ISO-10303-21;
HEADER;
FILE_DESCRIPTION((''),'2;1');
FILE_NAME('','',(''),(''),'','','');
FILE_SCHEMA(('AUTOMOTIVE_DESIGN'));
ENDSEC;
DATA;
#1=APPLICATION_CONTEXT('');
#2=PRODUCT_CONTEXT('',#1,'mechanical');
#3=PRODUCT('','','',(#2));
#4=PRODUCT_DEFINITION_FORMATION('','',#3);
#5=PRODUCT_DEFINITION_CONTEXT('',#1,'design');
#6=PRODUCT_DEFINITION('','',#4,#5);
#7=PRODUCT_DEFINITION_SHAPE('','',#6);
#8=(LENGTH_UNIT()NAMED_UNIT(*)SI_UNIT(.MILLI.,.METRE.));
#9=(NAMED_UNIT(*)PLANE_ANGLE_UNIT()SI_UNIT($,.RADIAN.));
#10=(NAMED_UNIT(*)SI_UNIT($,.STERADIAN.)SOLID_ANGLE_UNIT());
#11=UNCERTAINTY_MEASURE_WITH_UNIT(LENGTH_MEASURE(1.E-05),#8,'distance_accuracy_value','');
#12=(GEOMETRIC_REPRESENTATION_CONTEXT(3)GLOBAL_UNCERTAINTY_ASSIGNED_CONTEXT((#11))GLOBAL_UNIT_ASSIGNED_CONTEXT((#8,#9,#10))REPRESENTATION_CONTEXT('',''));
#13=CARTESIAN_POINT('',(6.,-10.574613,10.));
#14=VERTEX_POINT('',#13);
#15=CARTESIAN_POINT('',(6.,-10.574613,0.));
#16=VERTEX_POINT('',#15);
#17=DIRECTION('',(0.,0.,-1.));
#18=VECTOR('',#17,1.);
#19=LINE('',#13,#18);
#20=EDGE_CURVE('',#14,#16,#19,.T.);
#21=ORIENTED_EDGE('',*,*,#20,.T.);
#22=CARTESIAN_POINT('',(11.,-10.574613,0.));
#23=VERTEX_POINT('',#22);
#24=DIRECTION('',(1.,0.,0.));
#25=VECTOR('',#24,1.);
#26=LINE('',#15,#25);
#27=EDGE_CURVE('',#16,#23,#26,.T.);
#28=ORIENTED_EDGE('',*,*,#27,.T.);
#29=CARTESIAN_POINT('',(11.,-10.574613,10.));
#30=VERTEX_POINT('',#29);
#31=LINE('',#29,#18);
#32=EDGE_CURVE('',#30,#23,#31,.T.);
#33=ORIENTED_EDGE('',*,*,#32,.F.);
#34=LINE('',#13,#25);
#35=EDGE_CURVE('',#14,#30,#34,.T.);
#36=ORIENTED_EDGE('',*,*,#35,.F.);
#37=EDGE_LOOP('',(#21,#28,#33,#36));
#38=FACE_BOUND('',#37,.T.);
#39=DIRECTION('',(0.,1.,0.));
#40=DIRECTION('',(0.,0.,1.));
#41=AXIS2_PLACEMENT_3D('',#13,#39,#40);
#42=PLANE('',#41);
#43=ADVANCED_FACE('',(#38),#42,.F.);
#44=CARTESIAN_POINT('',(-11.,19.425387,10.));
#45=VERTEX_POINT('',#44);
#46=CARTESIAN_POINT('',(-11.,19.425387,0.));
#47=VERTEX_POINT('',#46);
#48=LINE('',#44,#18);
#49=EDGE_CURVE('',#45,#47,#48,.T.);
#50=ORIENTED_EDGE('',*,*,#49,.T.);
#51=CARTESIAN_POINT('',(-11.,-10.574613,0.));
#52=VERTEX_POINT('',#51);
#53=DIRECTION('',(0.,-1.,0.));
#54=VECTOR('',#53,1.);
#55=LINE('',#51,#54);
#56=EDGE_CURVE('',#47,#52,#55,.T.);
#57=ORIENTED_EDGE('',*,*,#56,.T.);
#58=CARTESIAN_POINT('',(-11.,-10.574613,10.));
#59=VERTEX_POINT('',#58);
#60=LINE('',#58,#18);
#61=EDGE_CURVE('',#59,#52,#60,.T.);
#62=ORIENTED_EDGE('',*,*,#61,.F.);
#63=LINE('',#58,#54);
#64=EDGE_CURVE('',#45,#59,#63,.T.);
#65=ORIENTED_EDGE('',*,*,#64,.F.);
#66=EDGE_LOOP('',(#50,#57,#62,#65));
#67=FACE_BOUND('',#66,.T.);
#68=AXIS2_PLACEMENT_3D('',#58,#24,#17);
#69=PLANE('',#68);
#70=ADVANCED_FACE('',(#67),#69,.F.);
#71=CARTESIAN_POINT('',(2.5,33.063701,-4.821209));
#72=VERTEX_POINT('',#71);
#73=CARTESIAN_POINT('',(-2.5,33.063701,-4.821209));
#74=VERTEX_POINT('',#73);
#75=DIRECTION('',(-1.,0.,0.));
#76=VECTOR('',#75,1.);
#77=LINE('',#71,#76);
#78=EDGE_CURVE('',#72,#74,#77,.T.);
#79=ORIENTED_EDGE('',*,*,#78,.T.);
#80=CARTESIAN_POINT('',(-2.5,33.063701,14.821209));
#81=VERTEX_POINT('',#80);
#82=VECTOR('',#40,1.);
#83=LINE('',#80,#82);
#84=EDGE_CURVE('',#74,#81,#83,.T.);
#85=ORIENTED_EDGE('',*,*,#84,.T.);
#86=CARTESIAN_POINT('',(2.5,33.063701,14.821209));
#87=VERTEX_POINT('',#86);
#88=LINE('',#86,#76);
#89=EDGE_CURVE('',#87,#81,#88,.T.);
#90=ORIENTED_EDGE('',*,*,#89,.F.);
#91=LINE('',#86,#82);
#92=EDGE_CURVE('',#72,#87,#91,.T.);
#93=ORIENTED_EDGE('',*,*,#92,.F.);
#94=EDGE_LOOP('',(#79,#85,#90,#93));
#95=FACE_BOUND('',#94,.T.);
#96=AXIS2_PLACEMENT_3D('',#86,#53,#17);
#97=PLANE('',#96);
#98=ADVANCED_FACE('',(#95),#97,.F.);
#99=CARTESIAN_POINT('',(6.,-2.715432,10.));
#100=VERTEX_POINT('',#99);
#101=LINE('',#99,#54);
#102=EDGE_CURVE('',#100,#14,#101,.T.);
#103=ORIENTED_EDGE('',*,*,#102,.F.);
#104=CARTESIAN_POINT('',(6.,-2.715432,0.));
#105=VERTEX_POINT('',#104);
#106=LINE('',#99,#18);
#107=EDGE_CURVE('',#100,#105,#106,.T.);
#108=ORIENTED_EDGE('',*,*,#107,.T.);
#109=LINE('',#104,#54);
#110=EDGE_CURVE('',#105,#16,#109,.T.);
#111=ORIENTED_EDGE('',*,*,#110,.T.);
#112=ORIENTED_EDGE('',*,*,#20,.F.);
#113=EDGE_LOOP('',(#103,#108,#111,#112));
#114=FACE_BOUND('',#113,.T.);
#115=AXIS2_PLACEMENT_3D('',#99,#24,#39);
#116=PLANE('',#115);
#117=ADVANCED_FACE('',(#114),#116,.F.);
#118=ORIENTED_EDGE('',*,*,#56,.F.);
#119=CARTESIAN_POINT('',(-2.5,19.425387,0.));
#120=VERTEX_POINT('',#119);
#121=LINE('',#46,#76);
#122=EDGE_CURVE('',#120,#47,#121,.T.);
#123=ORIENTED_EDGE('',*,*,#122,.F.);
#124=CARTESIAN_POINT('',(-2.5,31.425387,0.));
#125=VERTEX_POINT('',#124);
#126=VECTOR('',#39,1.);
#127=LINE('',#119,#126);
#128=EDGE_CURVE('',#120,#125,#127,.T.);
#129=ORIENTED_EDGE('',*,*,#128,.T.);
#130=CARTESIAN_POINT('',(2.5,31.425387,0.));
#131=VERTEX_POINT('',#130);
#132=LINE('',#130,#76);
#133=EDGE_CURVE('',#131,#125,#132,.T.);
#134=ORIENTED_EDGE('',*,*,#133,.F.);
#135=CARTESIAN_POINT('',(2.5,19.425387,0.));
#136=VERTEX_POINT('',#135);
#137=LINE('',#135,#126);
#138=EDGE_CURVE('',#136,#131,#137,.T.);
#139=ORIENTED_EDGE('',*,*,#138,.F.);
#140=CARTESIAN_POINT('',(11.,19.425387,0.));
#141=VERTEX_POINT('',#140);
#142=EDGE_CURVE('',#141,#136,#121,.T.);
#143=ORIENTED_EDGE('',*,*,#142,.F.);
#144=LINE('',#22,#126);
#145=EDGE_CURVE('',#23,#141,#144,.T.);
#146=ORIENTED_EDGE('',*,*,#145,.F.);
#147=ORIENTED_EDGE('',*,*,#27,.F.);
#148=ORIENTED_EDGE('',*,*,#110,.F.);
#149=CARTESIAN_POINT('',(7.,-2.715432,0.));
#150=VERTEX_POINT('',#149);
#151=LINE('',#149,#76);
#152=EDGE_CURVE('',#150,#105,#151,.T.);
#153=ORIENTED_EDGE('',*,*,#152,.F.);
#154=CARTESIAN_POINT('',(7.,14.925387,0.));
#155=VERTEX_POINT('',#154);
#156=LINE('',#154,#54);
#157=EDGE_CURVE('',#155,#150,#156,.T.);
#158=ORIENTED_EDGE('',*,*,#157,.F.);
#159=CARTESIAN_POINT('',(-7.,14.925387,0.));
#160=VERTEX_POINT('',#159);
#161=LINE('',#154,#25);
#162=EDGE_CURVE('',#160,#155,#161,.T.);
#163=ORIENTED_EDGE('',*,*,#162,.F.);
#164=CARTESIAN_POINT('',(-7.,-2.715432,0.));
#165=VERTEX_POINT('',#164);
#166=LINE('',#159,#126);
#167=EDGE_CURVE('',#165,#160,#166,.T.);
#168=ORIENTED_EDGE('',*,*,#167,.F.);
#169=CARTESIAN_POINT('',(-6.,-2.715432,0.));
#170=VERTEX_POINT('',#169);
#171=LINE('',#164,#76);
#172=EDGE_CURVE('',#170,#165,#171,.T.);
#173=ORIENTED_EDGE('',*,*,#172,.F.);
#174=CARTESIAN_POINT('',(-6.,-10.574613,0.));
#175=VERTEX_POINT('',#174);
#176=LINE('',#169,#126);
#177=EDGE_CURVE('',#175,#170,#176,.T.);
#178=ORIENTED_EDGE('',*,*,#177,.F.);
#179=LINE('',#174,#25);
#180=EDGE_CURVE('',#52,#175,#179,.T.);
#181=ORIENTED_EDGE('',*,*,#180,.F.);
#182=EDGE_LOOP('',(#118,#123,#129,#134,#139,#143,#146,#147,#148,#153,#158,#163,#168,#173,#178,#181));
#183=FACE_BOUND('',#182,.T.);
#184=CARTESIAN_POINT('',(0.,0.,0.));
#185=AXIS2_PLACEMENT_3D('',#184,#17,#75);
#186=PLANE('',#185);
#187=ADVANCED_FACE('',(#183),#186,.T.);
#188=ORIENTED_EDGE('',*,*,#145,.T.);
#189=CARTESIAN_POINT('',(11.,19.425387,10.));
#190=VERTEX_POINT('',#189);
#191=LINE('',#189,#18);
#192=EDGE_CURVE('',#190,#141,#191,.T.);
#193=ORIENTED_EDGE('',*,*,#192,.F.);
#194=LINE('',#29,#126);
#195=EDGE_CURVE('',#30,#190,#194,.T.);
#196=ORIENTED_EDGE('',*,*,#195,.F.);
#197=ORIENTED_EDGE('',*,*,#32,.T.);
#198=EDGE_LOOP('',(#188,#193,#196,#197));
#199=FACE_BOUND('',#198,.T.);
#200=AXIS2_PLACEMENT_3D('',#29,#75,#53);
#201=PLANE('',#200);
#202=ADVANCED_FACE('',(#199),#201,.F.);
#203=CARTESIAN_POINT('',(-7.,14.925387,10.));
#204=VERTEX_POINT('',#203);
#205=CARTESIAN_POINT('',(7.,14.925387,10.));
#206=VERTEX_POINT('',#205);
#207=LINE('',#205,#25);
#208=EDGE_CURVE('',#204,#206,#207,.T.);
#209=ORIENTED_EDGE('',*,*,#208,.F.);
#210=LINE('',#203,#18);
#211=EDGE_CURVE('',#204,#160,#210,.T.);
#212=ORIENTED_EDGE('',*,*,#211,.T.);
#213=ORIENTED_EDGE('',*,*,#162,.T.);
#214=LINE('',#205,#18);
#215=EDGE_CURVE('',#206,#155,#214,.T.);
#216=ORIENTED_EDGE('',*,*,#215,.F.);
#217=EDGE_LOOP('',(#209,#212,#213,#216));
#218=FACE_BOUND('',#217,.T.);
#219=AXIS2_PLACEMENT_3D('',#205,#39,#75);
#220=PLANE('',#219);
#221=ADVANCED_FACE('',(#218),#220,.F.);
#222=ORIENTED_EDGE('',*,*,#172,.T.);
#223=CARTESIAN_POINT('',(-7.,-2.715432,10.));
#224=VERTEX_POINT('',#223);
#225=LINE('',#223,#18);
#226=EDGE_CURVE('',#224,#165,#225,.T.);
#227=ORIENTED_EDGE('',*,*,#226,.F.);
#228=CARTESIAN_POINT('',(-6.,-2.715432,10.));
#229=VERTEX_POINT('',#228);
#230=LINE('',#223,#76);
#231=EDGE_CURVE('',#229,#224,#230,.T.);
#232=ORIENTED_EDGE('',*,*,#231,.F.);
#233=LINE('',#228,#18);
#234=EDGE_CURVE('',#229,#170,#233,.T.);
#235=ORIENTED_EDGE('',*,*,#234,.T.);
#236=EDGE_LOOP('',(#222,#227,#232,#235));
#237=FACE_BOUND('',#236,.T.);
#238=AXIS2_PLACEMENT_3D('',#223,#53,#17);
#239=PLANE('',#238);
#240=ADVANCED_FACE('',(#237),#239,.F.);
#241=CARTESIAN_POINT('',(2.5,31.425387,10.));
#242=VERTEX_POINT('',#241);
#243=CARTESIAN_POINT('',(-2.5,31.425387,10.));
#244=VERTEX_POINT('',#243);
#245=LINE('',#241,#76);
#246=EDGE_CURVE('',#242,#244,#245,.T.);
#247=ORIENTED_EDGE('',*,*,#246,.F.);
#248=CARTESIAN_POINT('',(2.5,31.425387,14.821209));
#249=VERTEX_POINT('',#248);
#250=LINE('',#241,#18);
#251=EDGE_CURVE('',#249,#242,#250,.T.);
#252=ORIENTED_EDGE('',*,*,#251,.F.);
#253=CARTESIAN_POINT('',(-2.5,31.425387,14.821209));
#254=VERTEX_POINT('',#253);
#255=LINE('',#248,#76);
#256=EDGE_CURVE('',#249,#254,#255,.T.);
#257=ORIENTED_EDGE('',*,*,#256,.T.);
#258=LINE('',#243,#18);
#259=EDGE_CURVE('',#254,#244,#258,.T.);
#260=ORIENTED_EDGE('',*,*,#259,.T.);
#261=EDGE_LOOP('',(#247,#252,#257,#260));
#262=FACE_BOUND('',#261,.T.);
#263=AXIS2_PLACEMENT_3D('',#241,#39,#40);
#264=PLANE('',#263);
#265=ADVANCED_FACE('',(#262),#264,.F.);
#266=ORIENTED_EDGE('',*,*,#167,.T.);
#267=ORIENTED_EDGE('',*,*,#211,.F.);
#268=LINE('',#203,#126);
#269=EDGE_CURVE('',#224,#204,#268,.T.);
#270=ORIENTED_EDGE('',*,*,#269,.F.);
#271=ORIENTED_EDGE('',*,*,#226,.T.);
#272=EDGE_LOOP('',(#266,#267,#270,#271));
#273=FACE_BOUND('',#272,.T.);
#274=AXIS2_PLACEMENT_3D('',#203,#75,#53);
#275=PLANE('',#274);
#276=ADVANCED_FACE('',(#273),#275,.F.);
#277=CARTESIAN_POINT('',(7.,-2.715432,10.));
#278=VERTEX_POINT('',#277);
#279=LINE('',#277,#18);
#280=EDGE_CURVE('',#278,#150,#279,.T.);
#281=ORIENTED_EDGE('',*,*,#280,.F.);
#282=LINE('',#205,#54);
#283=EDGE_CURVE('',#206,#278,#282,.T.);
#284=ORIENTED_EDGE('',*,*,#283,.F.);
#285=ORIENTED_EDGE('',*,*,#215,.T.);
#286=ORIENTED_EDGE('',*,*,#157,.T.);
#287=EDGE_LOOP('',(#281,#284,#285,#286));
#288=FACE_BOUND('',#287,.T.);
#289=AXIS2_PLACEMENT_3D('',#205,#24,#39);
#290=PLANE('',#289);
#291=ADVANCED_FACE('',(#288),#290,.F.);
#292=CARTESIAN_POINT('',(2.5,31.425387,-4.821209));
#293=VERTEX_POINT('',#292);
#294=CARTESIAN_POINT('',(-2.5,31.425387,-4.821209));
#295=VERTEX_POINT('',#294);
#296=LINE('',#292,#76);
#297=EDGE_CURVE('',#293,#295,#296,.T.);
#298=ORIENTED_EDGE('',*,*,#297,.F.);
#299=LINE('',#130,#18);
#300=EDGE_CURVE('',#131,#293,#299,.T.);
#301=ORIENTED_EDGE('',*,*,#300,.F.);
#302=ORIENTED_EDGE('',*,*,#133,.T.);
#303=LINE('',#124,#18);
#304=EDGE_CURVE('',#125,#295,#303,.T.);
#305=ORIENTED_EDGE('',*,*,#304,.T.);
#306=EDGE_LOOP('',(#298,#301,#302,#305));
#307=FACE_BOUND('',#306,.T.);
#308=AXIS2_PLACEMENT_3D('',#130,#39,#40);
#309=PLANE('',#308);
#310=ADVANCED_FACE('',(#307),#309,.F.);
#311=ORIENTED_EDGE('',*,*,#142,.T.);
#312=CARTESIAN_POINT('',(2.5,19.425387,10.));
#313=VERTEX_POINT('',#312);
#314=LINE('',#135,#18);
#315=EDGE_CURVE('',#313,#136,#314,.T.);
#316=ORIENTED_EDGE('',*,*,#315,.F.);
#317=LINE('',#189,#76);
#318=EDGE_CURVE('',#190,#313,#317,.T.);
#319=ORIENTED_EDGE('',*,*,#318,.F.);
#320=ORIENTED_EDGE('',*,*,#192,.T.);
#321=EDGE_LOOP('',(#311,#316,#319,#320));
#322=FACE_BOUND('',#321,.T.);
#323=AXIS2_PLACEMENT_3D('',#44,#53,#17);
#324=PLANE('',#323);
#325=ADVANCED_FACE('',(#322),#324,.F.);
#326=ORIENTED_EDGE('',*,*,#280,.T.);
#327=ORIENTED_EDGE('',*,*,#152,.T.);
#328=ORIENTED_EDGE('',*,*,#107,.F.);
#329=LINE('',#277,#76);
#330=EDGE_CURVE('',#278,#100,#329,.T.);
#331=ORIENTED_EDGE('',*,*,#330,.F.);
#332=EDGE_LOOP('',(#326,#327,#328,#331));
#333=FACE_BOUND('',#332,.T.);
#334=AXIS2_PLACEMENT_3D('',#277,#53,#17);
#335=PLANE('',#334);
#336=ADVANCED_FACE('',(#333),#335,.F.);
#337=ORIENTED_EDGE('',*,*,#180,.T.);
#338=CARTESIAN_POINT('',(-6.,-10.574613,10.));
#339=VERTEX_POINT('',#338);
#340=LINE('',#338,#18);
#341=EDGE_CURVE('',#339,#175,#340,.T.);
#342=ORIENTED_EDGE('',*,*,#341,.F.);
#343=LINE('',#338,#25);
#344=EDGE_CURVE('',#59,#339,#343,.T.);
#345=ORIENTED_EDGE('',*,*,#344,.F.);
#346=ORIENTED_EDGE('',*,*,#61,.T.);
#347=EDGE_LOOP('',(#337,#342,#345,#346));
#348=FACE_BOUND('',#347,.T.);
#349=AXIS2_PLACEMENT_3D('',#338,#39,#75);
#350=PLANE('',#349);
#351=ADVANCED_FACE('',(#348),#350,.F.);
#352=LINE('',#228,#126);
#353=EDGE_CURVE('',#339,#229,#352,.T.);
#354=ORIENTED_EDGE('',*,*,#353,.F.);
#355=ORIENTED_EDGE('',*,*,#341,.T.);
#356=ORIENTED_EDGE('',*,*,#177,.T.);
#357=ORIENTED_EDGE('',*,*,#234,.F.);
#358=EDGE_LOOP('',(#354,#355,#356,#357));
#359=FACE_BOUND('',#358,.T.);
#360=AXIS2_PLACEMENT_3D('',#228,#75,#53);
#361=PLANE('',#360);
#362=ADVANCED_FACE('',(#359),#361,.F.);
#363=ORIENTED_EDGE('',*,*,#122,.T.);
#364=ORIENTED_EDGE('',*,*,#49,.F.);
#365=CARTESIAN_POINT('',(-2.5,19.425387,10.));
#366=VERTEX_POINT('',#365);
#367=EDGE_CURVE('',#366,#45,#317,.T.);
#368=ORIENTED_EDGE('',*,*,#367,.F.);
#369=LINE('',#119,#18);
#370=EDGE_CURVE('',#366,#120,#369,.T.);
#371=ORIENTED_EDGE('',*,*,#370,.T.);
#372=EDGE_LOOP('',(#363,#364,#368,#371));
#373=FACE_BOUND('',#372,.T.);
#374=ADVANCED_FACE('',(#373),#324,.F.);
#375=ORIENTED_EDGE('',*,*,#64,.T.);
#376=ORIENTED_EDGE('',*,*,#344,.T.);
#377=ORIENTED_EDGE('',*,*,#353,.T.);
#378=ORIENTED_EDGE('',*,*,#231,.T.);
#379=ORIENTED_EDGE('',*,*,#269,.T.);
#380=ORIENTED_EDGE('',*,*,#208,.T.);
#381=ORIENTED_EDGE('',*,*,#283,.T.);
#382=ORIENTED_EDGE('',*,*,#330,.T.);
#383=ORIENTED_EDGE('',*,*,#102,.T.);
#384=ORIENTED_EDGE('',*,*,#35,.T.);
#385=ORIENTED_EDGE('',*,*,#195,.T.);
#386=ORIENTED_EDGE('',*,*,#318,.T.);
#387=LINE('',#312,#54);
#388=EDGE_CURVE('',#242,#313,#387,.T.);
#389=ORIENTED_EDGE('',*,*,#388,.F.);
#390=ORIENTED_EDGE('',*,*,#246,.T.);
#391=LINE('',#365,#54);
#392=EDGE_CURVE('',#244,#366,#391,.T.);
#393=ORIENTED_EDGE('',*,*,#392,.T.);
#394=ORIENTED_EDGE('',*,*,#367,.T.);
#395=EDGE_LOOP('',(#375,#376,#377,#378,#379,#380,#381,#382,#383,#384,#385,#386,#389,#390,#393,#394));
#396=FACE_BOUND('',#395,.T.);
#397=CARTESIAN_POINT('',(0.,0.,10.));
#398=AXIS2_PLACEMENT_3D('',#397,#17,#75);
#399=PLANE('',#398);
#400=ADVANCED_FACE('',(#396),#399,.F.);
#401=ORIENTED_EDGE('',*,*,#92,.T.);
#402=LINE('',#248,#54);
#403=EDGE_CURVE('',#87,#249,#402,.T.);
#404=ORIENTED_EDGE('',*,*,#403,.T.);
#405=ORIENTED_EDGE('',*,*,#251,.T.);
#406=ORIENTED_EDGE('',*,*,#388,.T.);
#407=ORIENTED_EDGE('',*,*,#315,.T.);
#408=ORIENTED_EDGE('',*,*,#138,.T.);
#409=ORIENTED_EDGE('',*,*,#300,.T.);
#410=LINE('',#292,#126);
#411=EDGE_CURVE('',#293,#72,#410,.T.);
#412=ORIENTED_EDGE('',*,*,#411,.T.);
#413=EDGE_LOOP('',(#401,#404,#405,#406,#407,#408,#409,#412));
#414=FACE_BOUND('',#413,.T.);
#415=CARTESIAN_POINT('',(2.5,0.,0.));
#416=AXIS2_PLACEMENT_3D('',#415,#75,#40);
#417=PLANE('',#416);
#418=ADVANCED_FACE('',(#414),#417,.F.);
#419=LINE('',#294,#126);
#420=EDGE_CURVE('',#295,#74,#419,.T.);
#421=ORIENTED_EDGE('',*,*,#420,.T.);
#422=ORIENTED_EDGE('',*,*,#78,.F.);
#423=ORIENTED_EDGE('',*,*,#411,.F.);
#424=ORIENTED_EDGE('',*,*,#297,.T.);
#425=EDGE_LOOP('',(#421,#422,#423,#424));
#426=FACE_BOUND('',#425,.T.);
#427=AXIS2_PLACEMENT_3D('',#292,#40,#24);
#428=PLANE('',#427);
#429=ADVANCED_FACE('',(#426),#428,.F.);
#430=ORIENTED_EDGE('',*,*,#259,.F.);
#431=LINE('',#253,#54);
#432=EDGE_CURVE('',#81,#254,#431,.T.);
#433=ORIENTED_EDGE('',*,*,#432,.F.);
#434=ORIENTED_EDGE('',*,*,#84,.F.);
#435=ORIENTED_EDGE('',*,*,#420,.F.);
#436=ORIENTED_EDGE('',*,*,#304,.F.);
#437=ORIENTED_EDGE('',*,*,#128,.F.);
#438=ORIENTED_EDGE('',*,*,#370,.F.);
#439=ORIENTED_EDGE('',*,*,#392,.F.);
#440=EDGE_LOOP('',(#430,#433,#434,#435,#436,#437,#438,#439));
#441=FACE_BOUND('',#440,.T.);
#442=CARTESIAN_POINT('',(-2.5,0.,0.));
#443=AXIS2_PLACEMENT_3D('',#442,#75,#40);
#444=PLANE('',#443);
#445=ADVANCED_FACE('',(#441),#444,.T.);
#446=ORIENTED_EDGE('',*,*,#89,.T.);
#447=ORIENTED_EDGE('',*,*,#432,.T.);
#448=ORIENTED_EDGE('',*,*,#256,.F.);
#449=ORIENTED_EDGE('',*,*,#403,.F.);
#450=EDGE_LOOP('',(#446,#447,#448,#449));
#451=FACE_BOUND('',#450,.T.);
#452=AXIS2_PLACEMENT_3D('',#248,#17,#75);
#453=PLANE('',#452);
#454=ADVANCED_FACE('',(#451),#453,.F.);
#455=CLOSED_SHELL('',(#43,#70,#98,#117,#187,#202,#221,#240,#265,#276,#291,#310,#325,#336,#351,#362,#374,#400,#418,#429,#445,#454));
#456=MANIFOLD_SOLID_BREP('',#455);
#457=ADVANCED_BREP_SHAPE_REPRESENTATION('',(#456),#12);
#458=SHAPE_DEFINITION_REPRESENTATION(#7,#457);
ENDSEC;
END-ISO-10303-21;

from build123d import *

# Parameters (mm, degrees)
EXTRUDE_1_DEPTH = 10
EXTRUDE_2_DEPTH = 2.5
EXTRUDE_3_DEPTH = 2.5


with BuildPart() as part:
    # 草图1 → 凸台-拉伸1 (new body)
    with BuildSketch(Plane.XY):
        Polygon((-6, -2.715432056), (-6, -10.574613101), (-11, -10.574613101), (-11, 19.425386899), (-5, 19.425386899), (5, 19.425386899), (11, 19.425386899), (11, -10.574613101), (6, -10.574613101), (6, -2.715432056), (7, -2.715432056), (7, 14.925386899), (-7, 14.925386899), (-7, -2.715432056), align=None)
    extrude(amount=EXTRUDE_1_DEPTH)

    # 草图2 → 凸台-拉伸2 (add)
    with BuildSketch(Plane(origin=(0, 0, 0), x_dir=(0, 0, -1), z_dir=(1, 0, 0))):
        Polygon((-10, 19.425386899), (-10, 31.425386899), (-14.821209098, 31.425386899), (-14.821209098, 33.063700588), (4.821209098, 33.063700588), (4.821209098, 31.425386899), (0, 31.425386899), (0, 19.425386899), align=None)
    extrude(amount=EXTRUDE_2_DEPTH)

    # 草图2<2> → 凸台-拉伸3 (add)
    with BuildSketch(Plane(origin=(0, 0, 0), x_dir=(0, 0, -1), z_dir=(1, 0, 0))):
        Polygon((-10, 19.425386899), (-10, 31.425386899), (-14.821209098, 31.425386899), (-14.821209098, 33.063700588), (4.821209098, 33.063700588), (4.821209098, 31.425386899), (0, 31.425386899), (0, 19.425386899), align=None)
    extrude(amount=-EXTRUDE_3_DEPTH)


solid = part.part
